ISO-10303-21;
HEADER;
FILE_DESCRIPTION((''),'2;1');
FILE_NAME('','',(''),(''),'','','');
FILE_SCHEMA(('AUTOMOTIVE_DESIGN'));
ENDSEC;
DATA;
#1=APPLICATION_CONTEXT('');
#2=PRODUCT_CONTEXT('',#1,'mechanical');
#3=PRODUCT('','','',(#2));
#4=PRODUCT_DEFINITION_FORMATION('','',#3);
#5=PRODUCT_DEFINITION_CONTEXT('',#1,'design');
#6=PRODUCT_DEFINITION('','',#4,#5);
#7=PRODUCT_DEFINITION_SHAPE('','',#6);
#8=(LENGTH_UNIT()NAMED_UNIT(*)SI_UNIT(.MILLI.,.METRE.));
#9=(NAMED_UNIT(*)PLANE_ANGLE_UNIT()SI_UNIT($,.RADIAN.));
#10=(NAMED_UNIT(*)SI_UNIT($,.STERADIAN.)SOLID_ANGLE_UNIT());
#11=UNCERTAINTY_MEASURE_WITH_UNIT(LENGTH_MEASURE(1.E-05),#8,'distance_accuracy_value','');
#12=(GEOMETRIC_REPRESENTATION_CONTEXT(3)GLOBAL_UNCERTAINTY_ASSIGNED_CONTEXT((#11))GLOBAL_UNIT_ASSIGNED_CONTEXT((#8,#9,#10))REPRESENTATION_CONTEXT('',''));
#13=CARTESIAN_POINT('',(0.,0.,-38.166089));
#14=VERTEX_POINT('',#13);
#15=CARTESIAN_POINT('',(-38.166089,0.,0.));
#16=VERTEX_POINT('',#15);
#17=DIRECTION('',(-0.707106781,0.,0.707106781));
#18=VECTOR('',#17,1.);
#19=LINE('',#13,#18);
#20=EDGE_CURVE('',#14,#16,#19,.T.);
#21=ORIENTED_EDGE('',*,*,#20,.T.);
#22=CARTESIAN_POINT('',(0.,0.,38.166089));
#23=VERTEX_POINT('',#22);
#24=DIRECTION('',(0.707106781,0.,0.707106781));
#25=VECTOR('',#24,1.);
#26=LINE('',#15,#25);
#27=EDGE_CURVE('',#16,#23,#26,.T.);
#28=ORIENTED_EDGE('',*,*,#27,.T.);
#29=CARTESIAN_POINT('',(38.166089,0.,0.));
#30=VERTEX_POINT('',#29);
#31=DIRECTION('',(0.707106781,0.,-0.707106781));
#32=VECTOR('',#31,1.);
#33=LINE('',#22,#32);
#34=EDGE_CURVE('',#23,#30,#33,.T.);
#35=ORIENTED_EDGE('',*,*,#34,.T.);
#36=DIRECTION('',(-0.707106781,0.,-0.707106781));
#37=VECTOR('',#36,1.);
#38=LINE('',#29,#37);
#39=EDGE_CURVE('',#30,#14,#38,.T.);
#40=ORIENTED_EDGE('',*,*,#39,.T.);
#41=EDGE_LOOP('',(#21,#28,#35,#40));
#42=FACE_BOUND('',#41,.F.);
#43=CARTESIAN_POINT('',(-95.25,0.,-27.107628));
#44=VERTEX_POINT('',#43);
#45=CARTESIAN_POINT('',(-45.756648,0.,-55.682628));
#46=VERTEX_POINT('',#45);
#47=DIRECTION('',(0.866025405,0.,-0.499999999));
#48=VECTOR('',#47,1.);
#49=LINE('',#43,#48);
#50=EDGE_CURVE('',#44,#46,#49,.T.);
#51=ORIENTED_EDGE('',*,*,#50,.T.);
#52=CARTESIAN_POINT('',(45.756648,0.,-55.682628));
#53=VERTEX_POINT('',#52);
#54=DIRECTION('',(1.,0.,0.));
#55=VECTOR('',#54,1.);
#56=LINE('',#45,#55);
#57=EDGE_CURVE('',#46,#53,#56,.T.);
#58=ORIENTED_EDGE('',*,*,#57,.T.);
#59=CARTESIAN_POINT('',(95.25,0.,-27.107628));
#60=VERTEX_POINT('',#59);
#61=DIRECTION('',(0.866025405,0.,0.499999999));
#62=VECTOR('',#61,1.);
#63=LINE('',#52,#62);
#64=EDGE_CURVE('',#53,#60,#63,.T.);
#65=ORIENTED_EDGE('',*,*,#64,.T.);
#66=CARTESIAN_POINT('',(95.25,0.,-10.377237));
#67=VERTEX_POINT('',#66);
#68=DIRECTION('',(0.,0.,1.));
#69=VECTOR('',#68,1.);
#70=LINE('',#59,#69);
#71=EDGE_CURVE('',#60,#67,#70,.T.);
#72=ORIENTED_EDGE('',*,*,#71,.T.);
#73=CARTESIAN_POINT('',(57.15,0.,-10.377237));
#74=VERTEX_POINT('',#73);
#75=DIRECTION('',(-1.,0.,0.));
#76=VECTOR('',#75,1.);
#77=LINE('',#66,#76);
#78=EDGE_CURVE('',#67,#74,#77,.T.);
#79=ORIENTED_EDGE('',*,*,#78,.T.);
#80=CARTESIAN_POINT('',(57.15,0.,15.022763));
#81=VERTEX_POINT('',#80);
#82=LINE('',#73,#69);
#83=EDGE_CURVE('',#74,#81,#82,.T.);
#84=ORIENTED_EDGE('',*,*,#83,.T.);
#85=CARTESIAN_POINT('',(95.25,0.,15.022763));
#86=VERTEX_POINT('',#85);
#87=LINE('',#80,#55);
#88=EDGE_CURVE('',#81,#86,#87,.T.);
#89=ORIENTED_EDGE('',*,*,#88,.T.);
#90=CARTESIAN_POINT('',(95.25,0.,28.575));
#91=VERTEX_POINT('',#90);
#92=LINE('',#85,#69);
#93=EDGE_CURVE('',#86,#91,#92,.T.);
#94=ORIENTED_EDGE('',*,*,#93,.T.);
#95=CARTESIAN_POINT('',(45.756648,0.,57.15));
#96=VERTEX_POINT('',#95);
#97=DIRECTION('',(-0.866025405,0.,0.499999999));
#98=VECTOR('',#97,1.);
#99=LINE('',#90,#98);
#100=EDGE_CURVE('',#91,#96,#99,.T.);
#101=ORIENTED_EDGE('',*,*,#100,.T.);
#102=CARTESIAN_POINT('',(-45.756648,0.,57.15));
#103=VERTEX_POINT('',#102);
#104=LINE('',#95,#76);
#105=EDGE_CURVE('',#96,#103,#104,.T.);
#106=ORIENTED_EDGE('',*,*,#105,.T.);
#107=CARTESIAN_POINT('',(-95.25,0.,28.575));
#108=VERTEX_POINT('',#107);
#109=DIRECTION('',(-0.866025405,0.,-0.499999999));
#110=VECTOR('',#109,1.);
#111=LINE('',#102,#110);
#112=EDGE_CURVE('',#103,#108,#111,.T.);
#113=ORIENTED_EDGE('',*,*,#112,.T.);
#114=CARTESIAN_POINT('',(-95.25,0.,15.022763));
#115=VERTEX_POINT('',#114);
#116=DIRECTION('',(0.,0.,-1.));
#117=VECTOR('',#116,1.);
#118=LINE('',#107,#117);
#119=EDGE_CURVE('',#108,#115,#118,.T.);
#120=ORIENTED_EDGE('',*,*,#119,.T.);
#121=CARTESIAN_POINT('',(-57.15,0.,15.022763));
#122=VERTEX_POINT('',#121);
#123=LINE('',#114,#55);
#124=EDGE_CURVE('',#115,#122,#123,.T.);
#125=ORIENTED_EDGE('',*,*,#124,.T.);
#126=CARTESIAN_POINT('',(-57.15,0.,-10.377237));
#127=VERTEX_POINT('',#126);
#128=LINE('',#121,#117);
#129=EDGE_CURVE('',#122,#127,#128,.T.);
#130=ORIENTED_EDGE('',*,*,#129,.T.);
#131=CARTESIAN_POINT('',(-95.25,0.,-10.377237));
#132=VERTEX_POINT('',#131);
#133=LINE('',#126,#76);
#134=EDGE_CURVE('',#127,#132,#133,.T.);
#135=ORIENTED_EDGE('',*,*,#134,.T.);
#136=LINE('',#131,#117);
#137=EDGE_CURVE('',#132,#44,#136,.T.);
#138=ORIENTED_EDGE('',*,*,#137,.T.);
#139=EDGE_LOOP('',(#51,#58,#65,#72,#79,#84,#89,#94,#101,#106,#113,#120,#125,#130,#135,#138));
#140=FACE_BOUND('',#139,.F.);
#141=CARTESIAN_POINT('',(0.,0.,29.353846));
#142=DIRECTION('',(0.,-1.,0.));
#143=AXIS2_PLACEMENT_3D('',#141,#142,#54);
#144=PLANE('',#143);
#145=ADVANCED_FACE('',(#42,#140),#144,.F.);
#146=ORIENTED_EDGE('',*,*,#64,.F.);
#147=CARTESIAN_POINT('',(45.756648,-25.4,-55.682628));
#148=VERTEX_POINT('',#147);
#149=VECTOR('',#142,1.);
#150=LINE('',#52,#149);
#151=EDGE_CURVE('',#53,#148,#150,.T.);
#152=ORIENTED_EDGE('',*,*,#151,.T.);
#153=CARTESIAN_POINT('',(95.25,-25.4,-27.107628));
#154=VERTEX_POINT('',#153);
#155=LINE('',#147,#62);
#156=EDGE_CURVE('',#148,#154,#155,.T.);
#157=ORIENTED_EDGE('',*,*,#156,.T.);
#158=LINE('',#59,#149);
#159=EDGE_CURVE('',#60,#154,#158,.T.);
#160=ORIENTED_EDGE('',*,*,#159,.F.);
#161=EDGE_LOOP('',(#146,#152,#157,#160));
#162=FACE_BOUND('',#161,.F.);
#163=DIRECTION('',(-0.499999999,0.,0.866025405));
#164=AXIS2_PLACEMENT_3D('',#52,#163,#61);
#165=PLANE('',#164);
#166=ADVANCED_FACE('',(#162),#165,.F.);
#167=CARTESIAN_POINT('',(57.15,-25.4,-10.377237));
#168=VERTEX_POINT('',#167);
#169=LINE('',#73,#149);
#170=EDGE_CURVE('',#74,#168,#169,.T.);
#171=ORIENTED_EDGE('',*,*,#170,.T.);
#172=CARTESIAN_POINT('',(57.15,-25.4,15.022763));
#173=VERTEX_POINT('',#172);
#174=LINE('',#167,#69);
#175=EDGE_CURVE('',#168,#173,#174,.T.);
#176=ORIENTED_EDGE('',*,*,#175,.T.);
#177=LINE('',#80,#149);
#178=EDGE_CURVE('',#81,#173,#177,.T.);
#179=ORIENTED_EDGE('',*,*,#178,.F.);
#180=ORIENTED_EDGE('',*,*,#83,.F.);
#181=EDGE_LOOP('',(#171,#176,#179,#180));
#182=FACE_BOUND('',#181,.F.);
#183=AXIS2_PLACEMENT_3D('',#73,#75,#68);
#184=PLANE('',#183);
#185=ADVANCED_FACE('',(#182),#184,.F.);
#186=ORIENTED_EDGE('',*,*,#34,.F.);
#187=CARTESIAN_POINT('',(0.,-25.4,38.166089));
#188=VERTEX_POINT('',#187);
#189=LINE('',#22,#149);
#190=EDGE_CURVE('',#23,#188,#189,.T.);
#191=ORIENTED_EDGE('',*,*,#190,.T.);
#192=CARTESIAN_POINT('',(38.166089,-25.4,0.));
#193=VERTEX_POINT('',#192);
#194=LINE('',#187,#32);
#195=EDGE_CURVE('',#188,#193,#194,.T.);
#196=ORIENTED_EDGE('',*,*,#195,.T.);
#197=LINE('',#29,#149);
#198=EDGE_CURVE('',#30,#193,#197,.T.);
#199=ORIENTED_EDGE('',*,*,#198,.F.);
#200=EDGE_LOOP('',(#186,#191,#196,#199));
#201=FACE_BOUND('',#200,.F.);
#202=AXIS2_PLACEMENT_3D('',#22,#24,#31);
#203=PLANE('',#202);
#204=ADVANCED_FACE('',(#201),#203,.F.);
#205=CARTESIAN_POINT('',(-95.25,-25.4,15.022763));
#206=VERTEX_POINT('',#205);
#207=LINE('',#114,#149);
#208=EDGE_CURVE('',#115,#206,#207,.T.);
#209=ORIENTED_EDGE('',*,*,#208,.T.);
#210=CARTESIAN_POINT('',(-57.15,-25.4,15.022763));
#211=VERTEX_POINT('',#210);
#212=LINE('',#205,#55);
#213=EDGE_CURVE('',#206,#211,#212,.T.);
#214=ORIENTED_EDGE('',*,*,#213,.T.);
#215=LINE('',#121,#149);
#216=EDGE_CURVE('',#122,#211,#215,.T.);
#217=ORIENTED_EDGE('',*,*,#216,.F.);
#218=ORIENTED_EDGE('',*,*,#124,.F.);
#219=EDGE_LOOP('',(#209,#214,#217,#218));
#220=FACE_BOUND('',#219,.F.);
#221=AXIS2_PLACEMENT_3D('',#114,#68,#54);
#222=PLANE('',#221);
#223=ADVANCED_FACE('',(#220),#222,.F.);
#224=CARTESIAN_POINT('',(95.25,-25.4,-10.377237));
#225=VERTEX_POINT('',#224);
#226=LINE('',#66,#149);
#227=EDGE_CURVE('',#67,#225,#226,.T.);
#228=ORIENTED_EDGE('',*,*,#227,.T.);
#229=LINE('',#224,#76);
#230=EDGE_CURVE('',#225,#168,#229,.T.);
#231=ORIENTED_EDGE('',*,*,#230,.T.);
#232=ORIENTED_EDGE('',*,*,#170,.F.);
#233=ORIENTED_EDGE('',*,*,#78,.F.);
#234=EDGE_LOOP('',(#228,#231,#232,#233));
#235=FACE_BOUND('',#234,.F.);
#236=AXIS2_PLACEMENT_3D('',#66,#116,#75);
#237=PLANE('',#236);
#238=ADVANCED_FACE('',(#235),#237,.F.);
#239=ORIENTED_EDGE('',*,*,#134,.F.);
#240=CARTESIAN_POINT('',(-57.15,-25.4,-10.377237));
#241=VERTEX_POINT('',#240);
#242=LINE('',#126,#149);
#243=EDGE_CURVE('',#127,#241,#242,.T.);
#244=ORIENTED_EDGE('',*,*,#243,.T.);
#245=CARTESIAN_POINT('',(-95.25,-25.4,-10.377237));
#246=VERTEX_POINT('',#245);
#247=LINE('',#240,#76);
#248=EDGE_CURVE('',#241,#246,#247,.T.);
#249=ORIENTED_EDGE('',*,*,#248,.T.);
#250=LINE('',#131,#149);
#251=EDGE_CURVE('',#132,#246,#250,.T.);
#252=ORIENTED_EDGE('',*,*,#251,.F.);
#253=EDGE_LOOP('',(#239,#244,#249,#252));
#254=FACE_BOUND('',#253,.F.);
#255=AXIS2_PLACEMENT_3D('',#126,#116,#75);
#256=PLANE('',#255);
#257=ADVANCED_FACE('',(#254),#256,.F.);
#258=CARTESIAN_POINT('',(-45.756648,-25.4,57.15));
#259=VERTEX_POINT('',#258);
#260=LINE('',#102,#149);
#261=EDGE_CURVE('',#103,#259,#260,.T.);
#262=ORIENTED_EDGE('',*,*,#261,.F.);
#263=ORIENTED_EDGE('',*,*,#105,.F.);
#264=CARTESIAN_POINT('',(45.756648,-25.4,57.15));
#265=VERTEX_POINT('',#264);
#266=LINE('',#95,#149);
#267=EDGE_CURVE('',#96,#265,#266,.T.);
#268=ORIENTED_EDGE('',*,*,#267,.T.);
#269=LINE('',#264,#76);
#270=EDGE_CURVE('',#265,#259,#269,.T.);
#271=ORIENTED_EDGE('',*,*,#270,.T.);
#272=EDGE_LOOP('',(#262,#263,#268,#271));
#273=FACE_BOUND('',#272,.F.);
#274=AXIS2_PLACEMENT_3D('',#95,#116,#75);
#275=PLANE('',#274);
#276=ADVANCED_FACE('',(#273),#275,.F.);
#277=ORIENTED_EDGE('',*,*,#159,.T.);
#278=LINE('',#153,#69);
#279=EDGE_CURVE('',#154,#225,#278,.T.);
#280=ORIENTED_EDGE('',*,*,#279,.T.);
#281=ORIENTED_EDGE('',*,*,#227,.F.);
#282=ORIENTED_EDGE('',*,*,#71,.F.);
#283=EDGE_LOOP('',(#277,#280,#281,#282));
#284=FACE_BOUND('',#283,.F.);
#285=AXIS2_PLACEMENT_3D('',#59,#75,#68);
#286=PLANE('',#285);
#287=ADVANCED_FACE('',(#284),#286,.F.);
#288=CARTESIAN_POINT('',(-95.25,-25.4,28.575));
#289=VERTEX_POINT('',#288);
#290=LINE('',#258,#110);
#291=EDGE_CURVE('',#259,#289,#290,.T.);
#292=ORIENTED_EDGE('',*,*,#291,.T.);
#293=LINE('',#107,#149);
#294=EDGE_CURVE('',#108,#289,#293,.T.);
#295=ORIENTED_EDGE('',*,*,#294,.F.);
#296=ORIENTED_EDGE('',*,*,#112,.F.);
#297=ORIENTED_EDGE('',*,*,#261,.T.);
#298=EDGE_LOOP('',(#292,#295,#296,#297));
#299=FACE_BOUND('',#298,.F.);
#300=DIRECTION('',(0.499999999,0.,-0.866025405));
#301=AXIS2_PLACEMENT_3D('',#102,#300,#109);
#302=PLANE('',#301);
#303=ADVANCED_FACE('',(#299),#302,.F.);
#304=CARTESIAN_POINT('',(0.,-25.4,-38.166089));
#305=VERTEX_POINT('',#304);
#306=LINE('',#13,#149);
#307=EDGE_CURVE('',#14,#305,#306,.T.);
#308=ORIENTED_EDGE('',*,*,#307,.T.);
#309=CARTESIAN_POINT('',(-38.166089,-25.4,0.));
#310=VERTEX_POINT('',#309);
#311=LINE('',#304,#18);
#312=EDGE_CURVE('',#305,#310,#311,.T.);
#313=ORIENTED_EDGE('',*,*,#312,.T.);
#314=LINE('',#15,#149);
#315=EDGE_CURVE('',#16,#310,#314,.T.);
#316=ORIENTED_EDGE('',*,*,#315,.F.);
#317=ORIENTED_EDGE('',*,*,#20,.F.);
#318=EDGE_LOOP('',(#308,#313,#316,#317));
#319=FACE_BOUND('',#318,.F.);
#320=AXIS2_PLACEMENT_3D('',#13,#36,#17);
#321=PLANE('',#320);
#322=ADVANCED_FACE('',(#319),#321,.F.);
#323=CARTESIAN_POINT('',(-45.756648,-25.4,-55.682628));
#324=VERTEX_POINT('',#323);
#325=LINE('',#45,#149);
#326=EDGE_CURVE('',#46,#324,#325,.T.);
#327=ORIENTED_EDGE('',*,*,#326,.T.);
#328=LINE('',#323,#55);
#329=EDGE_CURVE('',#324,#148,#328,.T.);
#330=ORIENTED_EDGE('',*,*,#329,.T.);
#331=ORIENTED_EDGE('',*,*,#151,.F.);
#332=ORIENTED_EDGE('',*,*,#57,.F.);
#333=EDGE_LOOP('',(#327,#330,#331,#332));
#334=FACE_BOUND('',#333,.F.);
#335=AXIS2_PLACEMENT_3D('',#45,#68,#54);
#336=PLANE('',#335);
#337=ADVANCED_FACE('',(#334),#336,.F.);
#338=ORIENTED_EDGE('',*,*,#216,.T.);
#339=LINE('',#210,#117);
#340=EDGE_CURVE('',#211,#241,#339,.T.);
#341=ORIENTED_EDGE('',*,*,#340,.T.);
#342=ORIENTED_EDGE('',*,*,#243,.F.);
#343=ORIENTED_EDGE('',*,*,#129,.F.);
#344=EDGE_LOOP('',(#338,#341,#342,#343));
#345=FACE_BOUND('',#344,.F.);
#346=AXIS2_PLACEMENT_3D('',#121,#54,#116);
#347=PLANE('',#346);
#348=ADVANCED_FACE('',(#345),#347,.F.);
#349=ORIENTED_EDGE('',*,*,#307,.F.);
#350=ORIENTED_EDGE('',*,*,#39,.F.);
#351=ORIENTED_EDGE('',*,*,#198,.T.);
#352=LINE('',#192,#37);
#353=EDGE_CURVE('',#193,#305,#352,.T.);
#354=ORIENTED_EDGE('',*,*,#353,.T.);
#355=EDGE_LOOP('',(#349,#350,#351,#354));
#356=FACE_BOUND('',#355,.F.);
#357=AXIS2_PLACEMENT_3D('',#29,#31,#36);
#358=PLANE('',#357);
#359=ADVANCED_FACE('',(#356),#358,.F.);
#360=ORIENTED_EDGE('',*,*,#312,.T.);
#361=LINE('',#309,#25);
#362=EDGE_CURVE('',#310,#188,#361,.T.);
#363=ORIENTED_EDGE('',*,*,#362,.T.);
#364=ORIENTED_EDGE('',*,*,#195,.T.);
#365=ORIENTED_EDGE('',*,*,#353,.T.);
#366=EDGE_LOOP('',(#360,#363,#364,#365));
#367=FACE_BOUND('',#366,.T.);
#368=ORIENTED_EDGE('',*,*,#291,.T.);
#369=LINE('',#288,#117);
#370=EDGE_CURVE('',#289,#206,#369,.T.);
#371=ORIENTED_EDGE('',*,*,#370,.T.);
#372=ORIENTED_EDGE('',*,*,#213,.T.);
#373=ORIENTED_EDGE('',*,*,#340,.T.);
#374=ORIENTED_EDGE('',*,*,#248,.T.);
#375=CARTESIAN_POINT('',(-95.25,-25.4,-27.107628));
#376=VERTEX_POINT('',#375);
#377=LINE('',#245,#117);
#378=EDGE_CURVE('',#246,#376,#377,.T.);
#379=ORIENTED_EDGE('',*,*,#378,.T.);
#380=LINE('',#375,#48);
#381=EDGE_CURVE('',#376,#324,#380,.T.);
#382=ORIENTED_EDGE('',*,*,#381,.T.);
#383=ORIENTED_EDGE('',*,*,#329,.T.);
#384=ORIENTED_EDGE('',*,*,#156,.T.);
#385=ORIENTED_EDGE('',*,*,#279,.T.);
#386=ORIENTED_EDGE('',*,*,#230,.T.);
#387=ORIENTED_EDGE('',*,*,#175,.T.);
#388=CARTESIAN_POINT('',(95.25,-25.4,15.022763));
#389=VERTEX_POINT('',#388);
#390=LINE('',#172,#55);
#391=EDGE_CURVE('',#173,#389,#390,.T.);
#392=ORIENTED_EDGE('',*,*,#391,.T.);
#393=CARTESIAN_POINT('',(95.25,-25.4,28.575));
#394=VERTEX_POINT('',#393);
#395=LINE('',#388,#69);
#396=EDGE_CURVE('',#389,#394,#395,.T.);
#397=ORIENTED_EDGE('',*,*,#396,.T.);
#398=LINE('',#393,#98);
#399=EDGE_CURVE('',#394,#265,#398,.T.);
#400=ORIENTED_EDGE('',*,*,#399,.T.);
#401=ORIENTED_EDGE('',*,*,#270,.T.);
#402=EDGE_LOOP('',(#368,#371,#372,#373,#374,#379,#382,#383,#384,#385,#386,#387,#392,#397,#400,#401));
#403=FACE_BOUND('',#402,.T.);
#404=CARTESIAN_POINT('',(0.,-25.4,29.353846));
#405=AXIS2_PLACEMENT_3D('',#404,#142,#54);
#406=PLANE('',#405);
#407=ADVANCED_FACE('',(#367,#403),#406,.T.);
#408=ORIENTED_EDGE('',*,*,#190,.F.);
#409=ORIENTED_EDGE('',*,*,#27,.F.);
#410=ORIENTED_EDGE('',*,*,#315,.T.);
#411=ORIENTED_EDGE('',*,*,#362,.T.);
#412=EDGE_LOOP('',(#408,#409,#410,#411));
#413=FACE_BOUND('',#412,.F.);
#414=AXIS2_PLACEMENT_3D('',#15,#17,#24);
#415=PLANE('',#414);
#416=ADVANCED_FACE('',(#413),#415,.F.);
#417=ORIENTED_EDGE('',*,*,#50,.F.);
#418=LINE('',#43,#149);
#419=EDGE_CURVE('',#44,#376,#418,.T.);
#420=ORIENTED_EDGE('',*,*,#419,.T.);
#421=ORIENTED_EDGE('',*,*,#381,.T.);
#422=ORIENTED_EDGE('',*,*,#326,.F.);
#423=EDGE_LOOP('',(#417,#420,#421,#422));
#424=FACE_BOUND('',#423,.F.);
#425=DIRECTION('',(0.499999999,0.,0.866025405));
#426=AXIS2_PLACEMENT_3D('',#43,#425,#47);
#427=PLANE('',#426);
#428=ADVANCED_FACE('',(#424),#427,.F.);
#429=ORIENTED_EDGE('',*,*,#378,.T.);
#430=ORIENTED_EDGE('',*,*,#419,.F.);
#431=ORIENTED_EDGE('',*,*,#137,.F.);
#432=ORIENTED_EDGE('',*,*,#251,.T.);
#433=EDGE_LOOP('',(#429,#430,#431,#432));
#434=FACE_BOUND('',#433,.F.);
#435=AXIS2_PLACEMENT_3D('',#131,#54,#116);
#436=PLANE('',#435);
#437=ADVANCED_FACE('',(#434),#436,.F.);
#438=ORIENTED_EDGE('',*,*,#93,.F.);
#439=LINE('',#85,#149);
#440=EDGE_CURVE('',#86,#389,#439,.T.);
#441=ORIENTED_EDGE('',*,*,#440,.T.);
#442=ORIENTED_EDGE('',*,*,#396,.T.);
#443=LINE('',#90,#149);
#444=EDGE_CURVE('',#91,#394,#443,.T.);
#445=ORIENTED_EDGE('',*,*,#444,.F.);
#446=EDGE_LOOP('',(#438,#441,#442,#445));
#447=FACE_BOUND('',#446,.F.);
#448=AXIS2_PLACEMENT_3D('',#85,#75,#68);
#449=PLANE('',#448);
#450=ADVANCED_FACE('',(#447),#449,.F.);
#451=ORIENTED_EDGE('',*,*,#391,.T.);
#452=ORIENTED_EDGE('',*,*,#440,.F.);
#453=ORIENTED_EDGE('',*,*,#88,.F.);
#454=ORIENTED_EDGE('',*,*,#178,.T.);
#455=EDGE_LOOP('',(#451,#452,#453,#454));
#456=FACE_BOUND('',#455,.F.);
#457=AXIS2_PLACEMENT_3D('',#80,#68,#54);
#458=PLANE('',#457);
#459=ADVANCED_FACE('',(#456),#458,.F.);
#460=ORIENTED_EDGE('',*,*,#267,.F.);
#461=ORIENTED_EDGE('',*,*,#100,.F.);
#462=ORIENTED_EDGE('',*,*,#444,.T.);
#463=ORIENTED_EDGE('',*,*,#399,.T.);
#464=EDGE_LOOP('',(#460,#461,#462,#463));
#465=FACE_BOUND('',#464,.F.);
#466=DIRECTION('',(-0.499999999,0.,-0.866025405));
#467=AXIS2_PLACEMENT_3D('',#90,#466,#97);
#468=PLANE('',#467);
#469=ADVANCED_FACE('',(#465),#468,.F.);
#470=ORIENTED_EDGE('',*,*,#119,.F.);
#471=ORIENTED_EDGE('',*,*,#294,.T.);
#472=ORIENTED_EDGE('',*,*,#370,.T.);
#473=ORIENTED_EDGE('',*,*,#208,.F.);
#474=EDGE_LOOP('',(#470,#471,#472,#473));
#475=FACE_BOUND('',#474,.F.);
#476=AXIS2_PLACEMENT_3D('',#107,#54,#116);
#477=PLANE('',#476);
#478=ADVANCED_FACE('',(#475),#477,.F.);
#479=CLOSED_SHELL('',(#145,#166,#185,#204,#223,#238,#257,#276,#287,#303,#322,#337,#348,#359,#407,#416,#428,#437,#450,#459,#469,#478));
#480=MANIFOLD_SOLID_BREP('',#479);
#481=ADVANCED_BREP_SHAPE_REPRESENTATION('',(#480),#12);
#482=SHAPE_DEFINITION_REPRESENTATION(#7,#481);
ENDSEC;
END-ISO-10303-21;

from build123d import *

# Parameters (mm, degrees)
F1_DEPTH = 25.4


with BuildPart() as f1:
    # F0 (on Front) → F1 (new body)
    with BuildSketch(Plane.XZ):
        Polygon((-37.432403, 0.733686), (0, 38.166089), (37.432403, 0.733686), (57.15, 0.733686), (57.15, 15.022763), (95.25, 15.022763), (95.25, 28.575), (45.756648, 57.15), (0, 57.15), (-45.756648, 57.15), (-95.25, 28.575), (-95.25, 15.022763), (-57.15, 15.022763), (-57.15, 0.733686), align=None)
        Polygon((57.15, 0.733686), (37.432403, 0.733686), (38.166089, 0), (0, -38.166089), (-38.166089, 0), (-37.432403, 0.733686), (-57.15, 0.733686), (-57.15, -10.377237), (-95.25, -10.377237), (-95.25, -27.107628), (-45.756648, -55.682628), (45.756648, -55.682628), (95.25, -27.107628), (95.25, -10.377237), (57.15, -10.377237), align=None)
    extrude(amount=F1_DEPTH)


solid = f1.part
